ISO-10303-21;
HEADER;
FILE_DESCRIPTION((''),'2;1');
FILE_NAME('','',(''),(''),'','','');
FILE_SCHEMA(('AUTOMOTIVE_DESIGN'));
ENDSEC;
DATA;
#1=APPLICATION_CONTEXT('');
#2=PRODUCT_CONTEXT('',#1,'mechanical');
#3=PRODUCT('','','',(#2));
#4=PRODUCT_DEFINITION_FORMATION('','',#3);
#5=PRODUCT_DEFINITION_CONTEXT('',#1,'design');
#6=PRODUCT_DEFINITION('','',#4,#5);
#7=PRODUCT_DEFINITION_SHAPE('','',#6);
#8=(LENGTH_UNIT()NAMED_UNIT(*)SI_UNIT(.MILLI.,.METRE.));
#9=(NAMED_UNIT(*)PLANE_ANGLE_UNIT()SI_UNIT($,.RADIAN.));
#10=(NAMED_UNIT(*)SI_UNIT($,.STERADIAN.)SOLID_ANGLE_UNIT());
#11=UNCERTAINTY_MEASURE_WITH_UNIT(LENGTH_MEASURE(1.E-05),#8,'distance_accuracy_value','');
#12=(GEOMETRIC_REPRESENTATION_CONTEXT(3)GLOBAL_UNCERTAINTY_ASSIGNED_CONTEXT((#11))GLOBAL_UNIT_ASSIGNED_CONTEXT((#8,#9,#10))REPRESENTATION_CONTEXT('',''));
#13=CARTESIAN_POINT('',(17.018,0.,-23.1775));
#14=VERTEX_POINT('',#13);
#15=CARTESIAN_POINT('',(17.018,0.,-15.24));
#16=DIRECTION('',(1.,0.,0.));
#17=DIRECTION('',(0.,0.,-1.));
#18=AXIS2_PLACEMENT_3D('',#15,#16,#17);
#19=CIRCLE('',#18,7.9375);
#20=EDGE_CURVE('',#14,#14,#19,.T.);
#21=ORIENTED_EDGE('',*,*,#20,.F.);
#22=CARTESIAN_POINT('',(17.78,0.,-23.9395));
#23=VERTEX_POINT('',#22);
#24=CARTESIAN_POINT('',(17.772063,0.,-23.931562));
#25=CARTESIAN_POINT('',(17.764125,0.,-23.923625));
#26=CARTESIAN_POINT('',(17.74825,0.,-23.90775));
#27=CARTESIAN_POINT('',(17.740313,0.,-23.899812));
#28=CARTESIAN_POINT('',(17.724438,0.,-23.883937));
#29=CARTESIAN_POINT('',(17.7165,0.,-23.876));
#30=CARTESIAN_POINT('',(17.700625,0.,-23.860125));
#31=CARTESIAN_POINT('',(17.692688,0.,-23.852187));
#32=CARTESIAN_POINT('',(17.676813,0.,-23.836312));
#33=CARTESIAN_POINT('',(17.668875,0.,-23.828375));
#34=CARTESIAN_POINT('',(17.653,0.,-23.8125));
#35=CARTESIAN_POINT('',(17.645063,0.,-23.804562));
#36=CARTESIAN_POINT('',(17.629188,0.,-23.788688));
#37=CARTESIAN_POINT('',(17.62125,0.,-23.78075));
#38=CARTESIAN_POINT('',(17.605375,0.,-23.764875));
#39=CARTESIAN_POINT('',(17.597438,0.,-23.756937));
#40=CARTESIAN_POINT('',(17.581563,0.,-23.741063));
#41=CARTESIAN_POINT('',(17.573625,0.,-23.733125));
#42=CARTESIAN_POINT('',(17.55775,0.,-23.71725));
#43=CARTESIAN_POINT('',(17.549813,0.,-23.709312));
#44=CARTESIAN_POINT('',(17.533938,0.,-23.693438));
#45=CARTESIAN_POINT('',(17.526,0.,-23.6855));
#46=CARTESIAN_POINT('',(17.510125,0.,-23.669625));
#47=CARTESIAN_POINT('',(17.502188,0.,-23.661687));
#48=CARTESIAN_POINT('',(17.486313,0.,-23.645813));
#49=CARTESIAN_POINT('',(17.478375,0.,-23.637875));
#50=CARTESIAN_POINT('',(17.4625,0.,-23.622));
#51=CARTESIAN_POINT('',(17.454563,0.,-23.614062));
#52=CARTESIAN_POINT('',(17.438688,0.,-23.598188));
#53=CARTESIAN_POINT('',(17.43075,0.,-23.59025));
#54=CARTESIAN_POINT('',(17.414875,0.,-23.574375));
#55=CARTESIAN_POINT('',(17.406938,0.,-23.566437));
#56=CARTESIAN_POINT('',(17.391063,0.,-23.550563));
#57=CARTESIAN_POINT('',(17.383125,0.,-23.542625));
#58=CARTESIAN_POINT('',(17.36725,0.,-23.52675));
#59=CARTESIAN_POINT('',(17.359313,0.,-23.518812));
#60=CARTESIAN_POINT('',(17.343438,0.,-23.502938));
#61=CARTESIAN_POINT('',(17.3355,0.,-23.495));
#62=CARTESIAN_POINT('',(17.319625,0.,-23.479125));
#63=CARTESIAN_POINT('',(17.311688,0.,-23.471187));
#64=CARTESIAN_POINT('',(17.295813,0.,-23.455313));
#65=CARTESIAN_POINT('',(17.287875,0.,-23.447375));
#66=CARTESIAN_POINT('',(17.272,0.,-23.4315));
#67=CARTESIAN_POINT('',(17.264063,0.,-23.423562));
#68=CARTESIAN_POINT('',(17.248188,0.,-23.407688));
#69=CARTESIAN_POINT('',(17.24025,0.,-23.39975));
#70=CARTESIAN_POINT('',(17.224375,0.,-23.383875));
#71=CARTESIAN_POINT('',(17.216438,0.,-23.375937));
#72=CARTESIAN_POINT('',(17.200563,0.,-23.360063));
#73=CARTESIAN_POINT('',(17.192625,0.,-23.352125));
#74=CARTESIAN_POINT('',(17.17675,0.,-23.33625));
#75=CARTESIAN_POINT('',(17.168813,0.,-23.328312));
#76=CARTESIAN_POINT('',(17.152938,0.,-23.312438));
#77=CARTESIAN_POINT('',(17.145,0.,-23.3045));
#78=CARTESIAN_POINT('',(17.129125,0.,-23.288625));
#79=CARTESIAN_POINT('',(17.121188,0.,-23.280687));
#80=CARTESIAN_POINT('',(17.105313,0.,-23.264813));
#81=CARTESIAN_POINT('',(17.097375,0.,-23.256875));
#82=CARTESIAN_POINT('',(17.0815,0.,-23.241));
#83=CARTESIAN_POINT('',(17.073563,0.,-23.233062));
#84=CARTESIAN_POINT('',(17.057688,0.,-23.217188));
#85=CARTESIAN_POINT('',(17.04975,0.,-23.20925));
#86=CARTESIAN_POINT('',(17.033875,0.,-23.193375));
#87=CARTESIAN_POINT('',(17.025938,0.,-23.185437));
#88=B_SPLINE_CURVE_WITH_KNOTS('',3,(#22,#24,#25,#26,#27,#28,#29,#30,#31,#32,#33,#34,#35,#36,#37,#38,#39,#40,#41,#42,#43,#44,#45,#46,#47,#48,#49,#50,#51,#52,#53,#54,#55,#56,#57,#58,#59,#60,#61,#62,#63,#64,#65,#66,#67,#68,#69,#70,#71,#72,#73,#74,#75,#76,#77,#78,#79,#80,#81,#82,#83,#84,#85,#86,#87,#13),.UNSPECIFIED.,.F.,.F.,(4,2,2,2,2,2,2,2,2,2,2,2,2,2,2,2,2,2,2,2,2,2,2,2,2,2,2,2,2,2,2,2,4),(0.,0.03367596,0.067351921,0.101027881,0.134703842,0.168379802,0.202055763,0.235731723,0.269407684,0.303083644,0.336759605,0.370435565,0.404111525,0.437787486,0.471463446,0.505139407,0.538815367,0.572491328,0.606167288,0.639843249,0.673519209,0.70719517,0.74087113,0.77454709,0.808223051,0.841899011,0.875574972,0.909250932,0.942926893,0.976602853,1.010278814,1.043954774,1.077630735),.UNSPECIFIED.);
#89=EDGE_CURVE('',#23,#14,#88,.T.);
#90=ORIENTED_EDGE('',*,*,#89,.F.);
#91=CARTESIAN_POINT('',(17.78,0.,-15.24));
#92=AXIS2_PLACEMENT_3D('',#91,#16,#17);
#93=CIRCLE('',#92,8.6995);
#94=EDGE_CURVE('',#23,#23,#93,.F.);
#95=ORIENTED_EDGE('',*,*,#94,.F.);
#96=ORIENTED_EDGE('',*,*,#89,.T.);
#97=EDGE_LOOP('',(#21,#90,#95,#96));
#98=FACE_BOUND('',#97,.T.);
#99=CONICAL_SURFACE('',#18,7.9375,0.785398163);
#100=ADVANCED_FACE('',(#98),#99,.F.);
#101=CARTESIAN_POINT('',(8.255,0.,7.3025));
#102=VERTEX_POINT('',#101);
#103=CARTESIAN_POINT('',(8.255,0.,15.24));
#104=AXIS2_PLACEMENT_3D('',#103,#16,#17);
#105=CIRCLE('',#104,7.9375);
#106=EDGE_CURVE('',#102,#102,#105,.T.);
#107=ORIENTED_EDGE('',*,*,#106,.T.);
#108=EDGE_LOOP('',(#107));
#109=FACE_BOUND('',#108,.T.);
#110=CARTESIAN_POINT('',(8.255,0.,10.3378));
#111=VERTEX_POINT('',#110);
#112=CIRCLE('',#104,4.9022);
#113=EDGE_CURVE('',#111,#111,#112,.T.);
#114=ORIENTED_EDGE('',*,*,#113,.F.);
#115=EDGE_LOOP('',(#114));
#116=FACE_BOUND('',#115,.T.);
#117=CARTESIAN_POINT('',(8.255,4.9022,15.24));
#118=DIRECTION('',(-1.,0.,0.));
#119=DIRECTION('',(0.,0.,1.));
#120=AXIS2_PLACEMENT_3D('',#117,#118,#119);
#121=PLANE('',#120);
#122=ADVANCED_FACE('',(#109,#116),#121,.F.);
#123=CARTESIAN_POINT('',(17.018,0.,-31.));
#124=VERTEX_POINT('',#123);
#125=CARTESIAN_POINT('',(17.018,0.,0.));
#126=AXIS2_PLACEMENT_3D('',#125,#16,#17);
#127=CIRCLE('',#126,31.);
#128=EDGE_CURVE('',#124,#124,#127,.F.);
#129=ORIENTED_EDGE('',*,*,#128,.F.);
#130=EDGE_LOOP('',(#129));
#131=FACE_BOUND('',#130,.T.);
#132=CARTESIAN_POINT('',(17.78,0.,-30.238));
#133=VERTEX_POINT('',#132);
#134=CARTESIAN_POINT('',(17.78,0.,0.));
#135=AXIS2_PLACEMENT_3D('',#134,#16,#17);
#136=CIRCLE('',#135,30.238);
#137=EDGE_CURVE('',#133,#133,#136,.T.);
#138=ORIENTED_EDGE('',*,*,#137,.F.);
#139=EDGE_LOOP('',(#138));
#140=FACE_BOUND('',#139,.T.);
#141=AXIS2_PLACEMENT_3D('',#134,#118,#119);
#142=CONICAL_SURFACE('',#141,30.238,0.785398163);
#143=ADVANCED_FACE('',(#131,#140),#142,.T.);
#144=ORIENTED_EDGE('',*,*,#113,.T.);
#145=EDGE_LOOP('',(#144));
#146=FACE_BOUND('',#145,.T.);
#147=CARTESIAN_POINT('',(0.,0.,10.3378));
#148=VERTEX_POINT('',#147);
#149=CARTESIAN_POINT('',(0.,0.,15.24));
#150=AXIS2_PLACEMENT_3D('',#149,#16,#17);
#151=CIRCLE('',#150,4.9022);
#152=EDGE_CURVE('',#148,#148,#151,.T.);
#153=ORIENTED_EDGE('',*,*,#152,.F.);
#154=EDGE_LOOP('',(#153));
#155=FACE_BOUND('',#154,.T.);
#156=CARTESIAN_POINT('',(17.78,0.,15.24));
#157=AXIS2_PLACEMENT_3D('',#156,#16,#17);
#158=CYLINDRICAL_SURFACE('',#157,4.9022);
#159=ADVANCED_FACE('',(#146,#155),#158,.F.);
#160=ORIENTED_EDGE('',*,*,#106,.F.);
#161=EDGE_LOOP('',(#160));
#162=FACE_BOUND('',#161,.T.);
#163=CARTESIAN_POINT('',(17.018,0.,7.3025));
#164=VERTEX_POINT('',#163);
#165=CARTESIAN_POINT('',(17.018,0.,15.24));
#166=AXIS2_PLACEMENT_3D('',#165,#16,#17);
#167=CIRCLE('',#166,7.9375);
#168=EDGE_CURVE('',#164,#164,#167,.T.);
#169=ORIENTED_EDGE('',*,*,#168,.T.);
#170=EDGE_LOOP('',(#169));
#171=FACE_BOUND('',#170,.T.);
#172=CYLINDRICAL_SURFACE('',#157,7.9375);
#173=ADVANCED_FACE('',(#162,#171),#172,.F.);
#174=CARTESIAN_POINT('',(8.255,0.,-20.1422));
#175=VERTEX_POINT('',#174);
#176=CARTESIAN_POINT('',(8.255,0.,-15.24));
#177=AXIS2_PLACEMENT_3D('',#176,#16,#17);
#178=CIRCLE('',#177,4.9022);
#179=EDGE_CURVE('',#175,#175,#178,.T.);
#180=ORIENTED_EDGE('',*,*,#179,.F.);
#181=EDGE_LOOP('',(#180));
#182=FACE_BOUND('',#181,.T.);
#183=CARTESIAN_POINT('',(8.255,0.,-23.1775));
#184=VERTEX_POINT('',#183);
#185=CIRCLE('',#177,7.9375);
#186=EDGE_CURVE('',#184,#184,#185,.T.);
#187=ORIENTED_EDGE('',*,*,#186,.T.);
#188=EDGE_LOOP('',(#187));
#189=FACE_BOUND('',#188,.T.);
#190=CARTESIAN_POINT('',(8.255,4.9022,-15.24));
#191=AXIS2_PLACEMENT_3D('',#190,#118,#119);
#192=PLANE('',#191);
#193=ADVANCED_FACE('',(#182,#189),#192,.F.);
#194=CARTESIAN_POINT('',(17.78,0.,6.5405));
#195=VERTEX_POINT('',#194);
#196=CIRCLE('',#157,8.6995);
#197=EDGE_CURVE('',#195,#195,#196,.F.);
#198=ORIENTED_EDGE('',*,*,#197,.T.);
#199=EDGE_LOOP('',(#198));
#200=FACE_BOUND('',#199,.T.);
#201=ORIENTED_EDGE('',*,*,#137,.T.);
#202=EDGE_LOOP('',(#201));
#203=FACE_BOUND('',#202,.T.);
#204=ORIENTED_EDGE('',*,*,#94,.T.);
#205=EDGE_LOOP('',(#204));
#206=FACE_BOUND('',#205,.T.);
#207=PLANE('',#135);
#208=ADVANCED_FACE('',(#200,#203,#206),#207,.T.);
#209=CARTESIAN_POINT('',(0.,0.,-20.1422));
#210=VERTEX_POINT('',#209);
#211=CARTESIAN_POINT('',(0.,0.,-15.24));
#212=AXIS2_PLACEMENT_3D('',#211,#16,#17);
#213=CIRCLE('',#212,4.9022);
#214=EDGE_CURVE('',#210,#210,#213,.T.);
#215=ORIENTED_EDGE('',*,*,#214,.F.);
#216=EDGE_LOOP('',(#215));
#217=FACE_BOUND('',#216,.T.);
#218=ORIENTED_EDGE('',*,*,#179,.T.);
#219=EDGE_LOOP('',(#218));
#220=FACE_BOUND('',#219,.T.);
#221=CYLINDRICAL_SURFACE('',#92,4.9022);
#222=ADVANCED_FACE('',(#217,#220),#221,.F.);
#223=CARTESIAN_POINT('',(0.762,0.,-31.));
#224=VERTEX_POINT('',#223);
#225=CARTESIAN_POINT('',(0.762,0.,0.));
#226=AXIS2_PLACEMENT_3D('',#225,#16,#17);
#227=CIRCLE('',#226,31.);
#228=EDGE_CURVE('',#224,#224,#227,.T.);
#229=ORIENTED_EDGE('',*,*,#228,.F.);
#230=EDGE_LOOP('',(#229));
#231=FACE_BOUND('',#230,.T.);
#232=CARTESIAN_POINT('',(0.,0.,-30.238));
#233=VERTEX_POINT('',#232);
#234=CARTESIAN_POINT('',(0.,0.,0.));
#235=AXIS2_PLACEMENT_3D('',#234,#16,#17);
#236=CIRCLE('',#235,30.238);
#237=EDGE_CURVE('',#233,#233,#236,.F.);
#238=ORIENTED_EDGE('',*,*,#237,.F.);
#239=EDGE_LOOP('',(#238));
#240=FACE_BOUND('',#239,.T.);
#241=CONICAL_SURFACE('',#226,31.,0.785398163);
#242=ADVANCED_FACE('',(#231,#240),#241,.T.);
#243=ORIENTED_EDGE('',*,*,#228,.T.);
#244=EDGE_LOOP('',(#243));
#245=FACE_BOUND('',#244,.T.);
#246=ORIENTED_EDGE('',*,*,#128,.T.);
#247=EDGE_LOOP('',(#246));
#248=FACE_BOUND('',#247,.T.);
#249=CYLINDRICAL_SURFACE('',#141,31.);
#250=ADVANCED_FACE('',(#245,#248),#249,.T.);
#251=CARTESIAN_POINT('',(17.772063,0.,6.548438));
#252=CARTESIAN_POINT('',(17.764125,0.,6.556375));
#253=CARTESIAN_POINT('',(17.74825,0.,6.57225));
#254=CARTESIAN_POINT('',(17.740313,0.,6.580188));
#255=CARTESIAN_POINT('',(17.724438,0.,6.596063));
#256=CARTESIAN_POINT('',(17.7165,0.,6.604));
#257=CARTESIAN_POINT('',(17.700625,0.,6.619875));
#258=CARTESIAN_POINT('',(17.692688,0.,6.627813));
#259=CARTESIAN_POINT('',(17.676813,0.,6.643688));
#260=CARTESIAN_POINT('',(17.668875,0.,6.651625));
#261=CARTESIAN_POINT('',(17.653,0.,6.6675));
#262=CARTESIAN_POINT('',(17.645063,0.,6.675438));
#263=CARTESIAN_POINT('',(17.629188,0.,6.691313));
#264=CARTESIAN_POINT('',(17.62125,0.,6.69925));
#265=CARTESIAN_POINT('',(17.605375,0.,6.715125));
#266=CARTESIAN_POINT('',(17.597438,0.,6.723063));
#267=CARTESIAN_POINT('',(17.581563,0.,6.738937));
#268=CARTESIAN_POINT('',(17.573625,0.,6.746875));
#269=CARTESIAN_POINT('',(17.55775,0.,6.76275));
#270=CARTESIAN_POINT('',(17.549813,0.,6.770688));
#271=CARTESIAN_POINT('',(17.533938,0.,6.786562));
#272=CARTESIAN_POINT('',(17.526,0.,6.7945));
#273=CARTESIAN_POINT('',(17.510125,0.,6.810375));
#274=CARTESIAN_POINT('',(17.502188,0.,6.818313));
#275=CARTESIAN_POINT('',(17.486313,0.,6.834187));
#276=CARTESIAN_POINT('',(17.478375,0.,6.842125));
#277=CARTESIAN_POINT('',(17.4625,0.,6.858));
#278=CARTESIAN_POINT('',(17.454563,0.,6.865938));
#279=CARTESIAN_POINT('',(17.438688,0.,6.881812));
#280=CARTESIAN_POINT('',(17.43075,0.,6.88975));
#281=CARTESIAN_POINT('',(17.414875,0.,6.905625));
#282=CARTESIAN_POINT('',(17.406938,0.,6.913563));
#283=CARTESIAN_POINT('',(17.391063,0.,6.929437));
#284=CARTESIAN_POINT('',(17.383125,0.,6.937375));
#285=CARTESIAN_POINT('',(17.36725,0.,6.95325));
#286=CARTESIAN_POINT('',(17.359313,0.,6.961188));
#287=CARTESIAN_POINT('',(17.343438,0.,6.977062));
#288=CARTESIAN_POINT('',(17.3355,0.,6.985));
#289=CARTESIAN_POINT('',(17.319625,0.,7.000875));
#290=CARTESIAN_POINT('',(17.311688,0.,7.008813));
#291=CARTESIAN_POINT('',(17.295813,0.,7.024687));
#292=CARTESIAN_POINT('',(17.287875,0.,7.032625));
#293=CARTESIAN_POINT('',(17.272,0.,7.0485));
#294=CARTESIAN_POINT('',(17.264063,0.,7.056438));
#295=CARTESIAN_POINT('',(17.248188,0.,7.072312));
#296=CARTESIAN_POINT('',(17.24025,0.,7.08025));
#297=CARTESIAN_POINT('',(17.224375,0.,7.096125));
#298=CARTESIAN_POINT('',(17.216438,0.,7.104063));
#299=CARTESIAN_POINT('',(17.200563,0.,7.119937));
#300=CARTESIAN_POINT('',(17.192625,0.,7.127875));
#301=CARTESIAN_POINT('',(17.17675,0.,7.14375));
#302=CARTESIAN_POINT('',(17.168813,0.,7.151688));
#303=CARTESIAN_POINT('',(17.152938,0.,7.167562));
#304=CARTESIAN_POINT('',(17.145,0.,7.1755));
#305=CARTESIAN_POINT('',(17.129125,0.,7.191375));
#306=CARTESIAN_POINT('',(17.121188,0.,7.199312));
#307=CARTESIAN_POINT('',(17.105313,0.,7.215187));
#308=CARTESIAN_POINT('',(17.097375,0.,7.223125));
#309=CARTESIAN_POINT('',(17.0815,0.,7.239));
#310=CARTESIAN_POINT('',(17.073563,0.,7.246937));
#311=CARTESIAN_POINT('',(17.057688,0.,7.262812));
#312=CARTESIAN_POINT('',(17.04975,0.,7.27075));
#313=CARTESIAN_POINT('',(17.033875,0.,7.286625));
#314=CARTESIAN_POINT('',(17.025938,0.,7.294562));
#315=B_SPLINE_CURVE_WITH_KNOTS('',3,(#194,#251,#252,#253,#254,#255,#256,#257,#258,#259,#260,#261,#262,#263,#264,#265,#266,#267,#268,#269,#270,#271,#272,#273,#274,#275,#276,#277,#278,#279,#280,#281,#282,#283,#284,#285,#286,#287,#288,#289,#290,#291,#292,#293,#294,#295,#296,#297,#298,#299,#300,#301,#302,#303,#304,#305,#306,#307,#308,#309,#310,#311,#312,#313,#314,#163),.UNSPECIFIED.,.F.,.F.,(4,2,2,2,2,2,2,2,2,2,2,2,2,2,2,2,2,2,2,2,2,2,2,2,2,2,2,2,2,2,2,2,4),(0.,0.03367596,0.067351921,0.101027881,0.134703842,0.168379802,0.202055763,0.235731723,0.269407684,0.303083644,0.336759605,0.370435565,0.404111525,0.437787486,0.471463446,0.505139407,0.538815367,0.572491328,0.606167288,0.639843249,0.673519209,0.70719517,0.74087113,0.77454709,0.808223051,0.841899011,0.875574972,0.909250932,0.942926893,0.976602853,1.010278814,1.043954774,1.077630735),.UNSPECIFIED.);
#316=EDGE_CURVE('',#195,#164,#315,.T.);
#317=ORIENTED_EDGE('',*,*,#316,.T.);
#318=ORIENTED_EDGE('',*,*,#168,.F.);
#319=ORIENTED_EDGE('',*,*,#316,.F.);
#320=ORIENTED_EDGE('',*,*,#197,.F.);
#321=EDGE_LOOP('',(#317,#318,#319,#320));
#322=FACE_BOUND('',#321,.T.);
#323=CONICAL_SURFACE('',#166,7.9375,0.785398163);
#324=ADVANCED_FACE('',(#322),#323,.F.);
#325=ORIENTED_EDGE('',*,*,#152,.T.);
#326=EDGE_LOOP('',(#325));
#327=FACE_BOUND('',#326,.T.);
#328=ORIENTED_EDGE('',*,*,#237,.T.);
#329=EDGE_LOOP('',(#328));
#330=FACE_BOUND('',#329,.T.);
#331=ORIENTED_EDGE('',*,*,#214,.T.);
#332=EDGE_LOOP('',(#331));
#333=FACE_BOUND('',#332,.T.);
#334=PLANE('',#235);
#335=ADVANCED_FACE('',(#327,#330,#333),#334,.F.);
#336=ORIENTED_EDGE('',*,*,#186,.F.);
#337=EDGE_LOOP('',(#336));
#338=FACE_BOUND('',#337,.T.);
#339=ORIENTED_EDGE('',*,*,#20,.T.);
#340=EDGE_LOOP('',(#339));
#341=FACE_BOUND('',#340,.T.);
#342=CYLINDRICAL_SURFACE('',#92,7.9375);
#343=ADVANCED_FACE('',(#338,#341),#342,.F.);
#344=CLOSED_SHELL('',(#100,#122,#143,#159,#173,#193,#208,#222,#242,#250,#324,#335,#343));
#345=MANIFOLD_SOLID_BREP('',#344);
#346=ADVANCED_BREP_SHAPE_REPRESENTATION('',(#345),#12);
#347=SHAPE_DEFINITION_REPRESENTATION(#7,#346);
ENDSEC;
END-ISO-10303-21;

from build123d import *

# Parameters (mm, degrees)
SKETCH1_R                                        = 31
BOSS_EXTRUDE1_DEPTH                              = 17.78
CBORE_FOR_3_8_SOCKET_HEAD_CAP_SCREW1_D           = 9.8044
CBORE_FOR_3_8_SOCKET_HEAD_CAP_SCREW1_DEPTH       = 23.8252
CBORE_FOR_3_8_SOCKET_HEAD_CAP_SCREW1_CBORE_D     = 15.875
CBORE_FOR_3_8_SOCKET_HEAD_CAP_SCREW1_CBORE_DEPTH = 9.525
CBORE_FOR_3_8_SOCKET_HEAD_CAP_SCREW1_TIP         = 2.945538927
CHAMFER1_SIZE                                    = 0.762


with BuildPart() as part:
    # Sketch1 → Boss-Extrude1 (new body)
    with BuildSketch(Plane(origin=(0, 0, 0), x_dir=(0, 0, -1), z_dir=(1, 0, 0))):
        Circle(SKETCH1_R)
    extrude(amount=BOSS_EXTRUDE1_DEPTH)

    # CBORE for 3/8 Socket Head Cap Screw1
    with Locations(Plane(origin=(17.78, 0, 0), x_dir=(0, 0, -1), z_dir=(1, 0, 0))):
        with Locations((-15.24, 0), (15.24, 0)):
            CounterBoreHole(CBORE_FOR_3_8_SOCKET_HEAD_CAP_SCREW1_D / 2, CBORE_FOR_3_8_SOCKET_HEAD_CAP_SCREW1_CBORE_D / 2, CBORE_FOR_3_8_SOCKET_HEAD_CAP_SCREW1_CBORE_DEPTH, depth=CBORE_FOR_3_8_SOCKET_HEAD_CAP_SCREW1_DEPTH)
            with Locations((0, 0, -(CBORE_FOR_3_8_SOCKET_HEAD_CAP_SCREW1_DEPTH + CBORE_FOR_3_8_SOCKET_HEAD_CAP_SCREW1_TIP / 2))):  # 118° drill point
                Cone(0, CBORE_FOR_3_8_SOCKET_HEAD_CAP_SCREW1_D / 2, CBORE_FOR_3_8_SOCKET_HEAD_CAP_SCREW1_TIP, mode=Mode.SUBTRACT)

    # Chamfer1
    chamfer1_edges = [part.edges().sort_by_distance(p)[0] for p in [
        (17.78, 0, 23.1775),
        (0, 0, 31),
        (17.78, 0, 31),
        (17.78, 0, -7.3025),
    ]]
    chamfer(chamfer1_edges, length=CHAMFER1_SIZE)


solid = part.part
